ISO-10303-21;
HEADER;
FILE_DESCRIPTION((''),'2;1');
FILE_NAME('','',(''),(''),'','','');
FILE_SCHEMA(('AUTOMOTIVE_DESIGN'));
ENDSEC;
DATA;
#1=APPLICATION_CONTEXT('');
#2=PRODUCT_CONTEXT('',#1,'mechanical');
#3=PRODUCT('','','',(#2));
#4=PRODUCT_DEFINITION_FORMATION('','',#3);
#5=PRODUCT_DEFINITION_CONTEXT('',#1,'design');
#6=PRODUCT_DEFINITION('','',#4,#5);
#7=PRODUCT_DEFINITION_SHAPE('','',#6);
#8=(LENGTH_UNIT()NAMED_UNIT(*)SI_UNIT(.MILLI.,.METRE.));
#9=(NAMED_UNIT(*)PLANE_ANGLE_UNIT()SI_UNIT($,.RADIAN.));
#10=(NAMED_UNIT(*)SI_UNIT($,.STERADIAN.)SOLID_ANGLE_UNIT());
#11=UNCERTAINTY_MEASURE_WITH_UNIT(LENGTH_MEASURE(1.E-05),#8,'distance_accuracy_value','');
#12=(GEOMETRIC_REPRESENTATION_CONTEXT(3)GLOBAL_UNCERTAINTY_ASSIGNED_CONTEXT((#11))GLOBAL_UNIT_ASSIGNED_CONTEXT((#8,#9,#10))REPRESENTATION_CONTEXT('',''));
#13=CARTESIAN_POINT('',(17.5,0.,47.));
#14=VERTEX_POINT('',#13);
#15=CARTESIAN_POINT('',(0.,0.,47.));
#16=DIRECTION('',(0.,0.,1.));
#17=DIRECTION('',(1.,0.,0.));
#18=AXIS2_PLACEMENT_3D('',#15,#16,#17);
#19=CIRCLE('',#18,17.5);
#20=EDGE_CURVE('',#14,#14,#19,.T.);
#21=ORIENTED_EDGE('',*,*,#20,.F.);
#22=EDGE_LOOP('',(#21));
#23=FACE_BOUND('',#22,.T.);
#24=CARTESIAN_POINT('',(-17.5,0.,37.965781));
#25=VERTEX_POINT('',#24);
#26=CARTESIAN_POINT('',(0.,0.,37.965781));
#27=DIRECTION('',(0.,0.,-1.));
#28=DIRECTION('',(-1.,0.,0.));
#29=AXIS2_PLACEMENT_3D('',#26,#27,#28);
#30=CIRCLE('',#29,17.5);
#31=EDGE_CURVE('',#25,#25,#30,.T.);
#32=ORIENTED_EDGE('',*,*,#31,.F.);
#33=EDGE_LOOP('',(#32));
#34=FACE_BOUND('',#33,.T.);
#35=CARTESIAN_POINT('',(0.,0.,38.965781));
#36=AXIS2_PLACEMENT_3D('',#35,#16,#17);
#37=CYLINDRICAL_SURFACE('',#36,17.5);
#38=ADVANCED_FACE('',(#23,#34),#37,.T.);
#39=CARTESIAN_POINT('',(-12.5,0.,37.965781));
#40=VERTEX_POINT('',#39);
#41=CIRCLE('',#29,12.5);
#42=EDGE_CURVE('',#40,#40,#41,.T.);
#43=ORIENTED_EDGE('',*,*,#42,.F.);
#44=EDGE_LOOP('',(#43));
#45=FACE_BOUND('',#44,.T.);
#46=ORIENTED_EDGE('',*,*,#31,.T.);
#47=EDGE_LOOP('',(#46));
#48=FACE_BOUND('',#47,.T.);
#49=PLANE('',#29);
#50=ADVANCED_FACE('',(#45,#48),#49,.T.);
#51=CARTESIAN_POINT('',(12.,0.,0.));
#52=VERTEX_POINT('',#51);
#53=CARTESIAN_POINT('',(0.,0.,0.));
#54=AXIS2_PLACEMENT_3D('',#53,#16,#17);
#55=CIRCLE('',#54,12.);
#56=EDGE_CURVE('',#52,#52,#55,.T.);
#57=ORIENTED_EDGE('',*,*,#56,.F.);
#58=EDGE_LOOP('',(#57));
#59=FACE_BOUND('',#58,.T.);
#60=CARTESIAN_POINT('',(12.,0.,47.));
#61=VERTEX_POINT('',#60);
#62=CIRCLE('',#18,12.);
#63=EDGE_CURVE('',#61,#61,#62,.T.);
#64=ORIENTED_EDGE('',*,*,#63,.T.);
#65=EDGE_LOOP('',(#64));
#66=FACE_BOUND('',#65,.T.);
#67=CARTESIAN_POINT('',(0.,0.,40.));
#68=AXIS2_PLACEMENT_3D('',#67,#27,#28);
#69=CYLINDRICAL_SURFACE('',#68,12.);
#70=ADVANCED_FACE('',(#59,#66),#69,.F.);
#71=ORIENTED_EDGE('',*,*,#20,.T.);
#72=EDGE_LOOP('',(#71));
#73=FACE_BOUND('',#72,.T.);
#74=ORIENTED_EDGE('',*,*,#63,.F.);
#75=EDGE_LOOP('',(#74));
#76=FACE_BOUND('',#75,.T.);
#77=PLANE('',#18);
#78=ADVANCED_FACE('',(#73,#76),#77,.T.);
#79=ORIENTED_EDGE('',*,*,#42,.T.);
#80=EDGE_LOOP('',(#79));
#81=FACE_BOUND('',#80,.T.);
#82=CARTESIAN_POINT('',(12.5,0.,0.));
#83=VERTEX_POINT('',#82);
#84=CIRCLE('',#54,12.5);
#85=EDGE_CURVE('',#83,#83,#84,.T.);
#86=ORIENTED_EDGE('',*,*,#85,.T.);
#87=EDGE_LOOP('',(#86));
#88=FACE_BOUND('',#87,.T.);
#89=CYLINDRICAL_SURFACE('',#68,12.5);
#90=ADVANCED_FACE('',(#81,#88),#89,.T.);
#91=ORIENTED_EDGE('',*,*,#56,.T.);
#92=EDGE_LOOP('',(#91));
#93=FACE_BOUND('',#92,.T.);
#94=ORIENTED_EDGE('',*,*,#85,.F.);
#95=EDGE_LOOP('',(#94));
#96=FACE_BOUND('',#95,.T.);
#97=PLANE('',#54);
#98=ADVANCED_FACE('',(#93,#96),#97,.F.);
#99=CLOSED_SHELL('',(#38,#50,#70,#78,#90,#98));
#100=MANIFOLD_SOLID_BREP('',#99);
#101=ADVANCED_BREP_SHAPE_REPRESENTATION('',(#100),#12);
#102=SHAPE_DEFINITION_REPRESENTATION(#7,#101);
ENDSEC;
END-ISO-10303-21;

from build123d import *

# Parameters (mm, degrees)
SKETCH_1_R           = 12.5
SKETCH_1_R_2         = 12
EXTRUDE_1_DEPTH      = 40
EXTRUDE_2_DEPTH      = 7
EXTRUDE_2_DEPTH_BACK = 1.034218613
SKETCH_2_R           = 17.5
SKETCH_2_R_2         = 12
SKETCH_3_R           = 17.5
EXTRUDE_3_DEPTH      = 1
SKETCH_4_R           = 12
CUT_EXTRUDE_1_DEPTH  = 1


with BuildPart() as part:
    # Эскиз1 → Бобышка-Вытянуть1 (new body)
    with BuildSketch(Plane.XY):
        Circle(SKETCH_1_R)
        Circle(SKETCH_1_R_2, mode=Mode.SUBTRACT)
    extrude(amount=EXTRUDE_1_DEPTH)

    # Эскиз2 → Бобышка-Вытянуть2 (add, two sides: drawn at the far end of the back side and taken through both)
    with BuildSketch(Plane.XY.offset(40).offset(-EXTRUDE_2_DEPTH_BACK)):
        Circle(SKETCH_2_R)
        Circle(SKETCH_2_R_2, mode=Mode.SUBTRACT)
    extrude(amount=EXTRUDE_2_DEPTH + EXTRUDE_2_DEPTH_BACK)

    # Эскиз3 → Бобышка-Вытянуть3 (add)
    with BuildSketch(Plane(origin=(0, 0, 38.965781387), x_dir=(-1, 0, 0), z_dir=(0, 0, -1))):
        with Locations(Location((0, 0, 0), (0, 0, 180))):
            Circle(SKETCH_3_R)
    extrude(amount=EXTRUDE_3_DEPTH)

    # Эскиз4 → Вырез-Вытянуть1 (cut)
    with BuildSketch(Plane(origin=(0, 0, 37.965781387), x_dir=(-1, 0, 0), z_dir=(0, 0, -1))):
        with Locations(Location((0, 0, 0), (0, 0, 180))):
            Circle(SKETCH_4_R)
    extrude(amount=-CUT_EXTRUDE_1_DEPTH, mode=Mode.SUBTRACT)


solid = part.part
